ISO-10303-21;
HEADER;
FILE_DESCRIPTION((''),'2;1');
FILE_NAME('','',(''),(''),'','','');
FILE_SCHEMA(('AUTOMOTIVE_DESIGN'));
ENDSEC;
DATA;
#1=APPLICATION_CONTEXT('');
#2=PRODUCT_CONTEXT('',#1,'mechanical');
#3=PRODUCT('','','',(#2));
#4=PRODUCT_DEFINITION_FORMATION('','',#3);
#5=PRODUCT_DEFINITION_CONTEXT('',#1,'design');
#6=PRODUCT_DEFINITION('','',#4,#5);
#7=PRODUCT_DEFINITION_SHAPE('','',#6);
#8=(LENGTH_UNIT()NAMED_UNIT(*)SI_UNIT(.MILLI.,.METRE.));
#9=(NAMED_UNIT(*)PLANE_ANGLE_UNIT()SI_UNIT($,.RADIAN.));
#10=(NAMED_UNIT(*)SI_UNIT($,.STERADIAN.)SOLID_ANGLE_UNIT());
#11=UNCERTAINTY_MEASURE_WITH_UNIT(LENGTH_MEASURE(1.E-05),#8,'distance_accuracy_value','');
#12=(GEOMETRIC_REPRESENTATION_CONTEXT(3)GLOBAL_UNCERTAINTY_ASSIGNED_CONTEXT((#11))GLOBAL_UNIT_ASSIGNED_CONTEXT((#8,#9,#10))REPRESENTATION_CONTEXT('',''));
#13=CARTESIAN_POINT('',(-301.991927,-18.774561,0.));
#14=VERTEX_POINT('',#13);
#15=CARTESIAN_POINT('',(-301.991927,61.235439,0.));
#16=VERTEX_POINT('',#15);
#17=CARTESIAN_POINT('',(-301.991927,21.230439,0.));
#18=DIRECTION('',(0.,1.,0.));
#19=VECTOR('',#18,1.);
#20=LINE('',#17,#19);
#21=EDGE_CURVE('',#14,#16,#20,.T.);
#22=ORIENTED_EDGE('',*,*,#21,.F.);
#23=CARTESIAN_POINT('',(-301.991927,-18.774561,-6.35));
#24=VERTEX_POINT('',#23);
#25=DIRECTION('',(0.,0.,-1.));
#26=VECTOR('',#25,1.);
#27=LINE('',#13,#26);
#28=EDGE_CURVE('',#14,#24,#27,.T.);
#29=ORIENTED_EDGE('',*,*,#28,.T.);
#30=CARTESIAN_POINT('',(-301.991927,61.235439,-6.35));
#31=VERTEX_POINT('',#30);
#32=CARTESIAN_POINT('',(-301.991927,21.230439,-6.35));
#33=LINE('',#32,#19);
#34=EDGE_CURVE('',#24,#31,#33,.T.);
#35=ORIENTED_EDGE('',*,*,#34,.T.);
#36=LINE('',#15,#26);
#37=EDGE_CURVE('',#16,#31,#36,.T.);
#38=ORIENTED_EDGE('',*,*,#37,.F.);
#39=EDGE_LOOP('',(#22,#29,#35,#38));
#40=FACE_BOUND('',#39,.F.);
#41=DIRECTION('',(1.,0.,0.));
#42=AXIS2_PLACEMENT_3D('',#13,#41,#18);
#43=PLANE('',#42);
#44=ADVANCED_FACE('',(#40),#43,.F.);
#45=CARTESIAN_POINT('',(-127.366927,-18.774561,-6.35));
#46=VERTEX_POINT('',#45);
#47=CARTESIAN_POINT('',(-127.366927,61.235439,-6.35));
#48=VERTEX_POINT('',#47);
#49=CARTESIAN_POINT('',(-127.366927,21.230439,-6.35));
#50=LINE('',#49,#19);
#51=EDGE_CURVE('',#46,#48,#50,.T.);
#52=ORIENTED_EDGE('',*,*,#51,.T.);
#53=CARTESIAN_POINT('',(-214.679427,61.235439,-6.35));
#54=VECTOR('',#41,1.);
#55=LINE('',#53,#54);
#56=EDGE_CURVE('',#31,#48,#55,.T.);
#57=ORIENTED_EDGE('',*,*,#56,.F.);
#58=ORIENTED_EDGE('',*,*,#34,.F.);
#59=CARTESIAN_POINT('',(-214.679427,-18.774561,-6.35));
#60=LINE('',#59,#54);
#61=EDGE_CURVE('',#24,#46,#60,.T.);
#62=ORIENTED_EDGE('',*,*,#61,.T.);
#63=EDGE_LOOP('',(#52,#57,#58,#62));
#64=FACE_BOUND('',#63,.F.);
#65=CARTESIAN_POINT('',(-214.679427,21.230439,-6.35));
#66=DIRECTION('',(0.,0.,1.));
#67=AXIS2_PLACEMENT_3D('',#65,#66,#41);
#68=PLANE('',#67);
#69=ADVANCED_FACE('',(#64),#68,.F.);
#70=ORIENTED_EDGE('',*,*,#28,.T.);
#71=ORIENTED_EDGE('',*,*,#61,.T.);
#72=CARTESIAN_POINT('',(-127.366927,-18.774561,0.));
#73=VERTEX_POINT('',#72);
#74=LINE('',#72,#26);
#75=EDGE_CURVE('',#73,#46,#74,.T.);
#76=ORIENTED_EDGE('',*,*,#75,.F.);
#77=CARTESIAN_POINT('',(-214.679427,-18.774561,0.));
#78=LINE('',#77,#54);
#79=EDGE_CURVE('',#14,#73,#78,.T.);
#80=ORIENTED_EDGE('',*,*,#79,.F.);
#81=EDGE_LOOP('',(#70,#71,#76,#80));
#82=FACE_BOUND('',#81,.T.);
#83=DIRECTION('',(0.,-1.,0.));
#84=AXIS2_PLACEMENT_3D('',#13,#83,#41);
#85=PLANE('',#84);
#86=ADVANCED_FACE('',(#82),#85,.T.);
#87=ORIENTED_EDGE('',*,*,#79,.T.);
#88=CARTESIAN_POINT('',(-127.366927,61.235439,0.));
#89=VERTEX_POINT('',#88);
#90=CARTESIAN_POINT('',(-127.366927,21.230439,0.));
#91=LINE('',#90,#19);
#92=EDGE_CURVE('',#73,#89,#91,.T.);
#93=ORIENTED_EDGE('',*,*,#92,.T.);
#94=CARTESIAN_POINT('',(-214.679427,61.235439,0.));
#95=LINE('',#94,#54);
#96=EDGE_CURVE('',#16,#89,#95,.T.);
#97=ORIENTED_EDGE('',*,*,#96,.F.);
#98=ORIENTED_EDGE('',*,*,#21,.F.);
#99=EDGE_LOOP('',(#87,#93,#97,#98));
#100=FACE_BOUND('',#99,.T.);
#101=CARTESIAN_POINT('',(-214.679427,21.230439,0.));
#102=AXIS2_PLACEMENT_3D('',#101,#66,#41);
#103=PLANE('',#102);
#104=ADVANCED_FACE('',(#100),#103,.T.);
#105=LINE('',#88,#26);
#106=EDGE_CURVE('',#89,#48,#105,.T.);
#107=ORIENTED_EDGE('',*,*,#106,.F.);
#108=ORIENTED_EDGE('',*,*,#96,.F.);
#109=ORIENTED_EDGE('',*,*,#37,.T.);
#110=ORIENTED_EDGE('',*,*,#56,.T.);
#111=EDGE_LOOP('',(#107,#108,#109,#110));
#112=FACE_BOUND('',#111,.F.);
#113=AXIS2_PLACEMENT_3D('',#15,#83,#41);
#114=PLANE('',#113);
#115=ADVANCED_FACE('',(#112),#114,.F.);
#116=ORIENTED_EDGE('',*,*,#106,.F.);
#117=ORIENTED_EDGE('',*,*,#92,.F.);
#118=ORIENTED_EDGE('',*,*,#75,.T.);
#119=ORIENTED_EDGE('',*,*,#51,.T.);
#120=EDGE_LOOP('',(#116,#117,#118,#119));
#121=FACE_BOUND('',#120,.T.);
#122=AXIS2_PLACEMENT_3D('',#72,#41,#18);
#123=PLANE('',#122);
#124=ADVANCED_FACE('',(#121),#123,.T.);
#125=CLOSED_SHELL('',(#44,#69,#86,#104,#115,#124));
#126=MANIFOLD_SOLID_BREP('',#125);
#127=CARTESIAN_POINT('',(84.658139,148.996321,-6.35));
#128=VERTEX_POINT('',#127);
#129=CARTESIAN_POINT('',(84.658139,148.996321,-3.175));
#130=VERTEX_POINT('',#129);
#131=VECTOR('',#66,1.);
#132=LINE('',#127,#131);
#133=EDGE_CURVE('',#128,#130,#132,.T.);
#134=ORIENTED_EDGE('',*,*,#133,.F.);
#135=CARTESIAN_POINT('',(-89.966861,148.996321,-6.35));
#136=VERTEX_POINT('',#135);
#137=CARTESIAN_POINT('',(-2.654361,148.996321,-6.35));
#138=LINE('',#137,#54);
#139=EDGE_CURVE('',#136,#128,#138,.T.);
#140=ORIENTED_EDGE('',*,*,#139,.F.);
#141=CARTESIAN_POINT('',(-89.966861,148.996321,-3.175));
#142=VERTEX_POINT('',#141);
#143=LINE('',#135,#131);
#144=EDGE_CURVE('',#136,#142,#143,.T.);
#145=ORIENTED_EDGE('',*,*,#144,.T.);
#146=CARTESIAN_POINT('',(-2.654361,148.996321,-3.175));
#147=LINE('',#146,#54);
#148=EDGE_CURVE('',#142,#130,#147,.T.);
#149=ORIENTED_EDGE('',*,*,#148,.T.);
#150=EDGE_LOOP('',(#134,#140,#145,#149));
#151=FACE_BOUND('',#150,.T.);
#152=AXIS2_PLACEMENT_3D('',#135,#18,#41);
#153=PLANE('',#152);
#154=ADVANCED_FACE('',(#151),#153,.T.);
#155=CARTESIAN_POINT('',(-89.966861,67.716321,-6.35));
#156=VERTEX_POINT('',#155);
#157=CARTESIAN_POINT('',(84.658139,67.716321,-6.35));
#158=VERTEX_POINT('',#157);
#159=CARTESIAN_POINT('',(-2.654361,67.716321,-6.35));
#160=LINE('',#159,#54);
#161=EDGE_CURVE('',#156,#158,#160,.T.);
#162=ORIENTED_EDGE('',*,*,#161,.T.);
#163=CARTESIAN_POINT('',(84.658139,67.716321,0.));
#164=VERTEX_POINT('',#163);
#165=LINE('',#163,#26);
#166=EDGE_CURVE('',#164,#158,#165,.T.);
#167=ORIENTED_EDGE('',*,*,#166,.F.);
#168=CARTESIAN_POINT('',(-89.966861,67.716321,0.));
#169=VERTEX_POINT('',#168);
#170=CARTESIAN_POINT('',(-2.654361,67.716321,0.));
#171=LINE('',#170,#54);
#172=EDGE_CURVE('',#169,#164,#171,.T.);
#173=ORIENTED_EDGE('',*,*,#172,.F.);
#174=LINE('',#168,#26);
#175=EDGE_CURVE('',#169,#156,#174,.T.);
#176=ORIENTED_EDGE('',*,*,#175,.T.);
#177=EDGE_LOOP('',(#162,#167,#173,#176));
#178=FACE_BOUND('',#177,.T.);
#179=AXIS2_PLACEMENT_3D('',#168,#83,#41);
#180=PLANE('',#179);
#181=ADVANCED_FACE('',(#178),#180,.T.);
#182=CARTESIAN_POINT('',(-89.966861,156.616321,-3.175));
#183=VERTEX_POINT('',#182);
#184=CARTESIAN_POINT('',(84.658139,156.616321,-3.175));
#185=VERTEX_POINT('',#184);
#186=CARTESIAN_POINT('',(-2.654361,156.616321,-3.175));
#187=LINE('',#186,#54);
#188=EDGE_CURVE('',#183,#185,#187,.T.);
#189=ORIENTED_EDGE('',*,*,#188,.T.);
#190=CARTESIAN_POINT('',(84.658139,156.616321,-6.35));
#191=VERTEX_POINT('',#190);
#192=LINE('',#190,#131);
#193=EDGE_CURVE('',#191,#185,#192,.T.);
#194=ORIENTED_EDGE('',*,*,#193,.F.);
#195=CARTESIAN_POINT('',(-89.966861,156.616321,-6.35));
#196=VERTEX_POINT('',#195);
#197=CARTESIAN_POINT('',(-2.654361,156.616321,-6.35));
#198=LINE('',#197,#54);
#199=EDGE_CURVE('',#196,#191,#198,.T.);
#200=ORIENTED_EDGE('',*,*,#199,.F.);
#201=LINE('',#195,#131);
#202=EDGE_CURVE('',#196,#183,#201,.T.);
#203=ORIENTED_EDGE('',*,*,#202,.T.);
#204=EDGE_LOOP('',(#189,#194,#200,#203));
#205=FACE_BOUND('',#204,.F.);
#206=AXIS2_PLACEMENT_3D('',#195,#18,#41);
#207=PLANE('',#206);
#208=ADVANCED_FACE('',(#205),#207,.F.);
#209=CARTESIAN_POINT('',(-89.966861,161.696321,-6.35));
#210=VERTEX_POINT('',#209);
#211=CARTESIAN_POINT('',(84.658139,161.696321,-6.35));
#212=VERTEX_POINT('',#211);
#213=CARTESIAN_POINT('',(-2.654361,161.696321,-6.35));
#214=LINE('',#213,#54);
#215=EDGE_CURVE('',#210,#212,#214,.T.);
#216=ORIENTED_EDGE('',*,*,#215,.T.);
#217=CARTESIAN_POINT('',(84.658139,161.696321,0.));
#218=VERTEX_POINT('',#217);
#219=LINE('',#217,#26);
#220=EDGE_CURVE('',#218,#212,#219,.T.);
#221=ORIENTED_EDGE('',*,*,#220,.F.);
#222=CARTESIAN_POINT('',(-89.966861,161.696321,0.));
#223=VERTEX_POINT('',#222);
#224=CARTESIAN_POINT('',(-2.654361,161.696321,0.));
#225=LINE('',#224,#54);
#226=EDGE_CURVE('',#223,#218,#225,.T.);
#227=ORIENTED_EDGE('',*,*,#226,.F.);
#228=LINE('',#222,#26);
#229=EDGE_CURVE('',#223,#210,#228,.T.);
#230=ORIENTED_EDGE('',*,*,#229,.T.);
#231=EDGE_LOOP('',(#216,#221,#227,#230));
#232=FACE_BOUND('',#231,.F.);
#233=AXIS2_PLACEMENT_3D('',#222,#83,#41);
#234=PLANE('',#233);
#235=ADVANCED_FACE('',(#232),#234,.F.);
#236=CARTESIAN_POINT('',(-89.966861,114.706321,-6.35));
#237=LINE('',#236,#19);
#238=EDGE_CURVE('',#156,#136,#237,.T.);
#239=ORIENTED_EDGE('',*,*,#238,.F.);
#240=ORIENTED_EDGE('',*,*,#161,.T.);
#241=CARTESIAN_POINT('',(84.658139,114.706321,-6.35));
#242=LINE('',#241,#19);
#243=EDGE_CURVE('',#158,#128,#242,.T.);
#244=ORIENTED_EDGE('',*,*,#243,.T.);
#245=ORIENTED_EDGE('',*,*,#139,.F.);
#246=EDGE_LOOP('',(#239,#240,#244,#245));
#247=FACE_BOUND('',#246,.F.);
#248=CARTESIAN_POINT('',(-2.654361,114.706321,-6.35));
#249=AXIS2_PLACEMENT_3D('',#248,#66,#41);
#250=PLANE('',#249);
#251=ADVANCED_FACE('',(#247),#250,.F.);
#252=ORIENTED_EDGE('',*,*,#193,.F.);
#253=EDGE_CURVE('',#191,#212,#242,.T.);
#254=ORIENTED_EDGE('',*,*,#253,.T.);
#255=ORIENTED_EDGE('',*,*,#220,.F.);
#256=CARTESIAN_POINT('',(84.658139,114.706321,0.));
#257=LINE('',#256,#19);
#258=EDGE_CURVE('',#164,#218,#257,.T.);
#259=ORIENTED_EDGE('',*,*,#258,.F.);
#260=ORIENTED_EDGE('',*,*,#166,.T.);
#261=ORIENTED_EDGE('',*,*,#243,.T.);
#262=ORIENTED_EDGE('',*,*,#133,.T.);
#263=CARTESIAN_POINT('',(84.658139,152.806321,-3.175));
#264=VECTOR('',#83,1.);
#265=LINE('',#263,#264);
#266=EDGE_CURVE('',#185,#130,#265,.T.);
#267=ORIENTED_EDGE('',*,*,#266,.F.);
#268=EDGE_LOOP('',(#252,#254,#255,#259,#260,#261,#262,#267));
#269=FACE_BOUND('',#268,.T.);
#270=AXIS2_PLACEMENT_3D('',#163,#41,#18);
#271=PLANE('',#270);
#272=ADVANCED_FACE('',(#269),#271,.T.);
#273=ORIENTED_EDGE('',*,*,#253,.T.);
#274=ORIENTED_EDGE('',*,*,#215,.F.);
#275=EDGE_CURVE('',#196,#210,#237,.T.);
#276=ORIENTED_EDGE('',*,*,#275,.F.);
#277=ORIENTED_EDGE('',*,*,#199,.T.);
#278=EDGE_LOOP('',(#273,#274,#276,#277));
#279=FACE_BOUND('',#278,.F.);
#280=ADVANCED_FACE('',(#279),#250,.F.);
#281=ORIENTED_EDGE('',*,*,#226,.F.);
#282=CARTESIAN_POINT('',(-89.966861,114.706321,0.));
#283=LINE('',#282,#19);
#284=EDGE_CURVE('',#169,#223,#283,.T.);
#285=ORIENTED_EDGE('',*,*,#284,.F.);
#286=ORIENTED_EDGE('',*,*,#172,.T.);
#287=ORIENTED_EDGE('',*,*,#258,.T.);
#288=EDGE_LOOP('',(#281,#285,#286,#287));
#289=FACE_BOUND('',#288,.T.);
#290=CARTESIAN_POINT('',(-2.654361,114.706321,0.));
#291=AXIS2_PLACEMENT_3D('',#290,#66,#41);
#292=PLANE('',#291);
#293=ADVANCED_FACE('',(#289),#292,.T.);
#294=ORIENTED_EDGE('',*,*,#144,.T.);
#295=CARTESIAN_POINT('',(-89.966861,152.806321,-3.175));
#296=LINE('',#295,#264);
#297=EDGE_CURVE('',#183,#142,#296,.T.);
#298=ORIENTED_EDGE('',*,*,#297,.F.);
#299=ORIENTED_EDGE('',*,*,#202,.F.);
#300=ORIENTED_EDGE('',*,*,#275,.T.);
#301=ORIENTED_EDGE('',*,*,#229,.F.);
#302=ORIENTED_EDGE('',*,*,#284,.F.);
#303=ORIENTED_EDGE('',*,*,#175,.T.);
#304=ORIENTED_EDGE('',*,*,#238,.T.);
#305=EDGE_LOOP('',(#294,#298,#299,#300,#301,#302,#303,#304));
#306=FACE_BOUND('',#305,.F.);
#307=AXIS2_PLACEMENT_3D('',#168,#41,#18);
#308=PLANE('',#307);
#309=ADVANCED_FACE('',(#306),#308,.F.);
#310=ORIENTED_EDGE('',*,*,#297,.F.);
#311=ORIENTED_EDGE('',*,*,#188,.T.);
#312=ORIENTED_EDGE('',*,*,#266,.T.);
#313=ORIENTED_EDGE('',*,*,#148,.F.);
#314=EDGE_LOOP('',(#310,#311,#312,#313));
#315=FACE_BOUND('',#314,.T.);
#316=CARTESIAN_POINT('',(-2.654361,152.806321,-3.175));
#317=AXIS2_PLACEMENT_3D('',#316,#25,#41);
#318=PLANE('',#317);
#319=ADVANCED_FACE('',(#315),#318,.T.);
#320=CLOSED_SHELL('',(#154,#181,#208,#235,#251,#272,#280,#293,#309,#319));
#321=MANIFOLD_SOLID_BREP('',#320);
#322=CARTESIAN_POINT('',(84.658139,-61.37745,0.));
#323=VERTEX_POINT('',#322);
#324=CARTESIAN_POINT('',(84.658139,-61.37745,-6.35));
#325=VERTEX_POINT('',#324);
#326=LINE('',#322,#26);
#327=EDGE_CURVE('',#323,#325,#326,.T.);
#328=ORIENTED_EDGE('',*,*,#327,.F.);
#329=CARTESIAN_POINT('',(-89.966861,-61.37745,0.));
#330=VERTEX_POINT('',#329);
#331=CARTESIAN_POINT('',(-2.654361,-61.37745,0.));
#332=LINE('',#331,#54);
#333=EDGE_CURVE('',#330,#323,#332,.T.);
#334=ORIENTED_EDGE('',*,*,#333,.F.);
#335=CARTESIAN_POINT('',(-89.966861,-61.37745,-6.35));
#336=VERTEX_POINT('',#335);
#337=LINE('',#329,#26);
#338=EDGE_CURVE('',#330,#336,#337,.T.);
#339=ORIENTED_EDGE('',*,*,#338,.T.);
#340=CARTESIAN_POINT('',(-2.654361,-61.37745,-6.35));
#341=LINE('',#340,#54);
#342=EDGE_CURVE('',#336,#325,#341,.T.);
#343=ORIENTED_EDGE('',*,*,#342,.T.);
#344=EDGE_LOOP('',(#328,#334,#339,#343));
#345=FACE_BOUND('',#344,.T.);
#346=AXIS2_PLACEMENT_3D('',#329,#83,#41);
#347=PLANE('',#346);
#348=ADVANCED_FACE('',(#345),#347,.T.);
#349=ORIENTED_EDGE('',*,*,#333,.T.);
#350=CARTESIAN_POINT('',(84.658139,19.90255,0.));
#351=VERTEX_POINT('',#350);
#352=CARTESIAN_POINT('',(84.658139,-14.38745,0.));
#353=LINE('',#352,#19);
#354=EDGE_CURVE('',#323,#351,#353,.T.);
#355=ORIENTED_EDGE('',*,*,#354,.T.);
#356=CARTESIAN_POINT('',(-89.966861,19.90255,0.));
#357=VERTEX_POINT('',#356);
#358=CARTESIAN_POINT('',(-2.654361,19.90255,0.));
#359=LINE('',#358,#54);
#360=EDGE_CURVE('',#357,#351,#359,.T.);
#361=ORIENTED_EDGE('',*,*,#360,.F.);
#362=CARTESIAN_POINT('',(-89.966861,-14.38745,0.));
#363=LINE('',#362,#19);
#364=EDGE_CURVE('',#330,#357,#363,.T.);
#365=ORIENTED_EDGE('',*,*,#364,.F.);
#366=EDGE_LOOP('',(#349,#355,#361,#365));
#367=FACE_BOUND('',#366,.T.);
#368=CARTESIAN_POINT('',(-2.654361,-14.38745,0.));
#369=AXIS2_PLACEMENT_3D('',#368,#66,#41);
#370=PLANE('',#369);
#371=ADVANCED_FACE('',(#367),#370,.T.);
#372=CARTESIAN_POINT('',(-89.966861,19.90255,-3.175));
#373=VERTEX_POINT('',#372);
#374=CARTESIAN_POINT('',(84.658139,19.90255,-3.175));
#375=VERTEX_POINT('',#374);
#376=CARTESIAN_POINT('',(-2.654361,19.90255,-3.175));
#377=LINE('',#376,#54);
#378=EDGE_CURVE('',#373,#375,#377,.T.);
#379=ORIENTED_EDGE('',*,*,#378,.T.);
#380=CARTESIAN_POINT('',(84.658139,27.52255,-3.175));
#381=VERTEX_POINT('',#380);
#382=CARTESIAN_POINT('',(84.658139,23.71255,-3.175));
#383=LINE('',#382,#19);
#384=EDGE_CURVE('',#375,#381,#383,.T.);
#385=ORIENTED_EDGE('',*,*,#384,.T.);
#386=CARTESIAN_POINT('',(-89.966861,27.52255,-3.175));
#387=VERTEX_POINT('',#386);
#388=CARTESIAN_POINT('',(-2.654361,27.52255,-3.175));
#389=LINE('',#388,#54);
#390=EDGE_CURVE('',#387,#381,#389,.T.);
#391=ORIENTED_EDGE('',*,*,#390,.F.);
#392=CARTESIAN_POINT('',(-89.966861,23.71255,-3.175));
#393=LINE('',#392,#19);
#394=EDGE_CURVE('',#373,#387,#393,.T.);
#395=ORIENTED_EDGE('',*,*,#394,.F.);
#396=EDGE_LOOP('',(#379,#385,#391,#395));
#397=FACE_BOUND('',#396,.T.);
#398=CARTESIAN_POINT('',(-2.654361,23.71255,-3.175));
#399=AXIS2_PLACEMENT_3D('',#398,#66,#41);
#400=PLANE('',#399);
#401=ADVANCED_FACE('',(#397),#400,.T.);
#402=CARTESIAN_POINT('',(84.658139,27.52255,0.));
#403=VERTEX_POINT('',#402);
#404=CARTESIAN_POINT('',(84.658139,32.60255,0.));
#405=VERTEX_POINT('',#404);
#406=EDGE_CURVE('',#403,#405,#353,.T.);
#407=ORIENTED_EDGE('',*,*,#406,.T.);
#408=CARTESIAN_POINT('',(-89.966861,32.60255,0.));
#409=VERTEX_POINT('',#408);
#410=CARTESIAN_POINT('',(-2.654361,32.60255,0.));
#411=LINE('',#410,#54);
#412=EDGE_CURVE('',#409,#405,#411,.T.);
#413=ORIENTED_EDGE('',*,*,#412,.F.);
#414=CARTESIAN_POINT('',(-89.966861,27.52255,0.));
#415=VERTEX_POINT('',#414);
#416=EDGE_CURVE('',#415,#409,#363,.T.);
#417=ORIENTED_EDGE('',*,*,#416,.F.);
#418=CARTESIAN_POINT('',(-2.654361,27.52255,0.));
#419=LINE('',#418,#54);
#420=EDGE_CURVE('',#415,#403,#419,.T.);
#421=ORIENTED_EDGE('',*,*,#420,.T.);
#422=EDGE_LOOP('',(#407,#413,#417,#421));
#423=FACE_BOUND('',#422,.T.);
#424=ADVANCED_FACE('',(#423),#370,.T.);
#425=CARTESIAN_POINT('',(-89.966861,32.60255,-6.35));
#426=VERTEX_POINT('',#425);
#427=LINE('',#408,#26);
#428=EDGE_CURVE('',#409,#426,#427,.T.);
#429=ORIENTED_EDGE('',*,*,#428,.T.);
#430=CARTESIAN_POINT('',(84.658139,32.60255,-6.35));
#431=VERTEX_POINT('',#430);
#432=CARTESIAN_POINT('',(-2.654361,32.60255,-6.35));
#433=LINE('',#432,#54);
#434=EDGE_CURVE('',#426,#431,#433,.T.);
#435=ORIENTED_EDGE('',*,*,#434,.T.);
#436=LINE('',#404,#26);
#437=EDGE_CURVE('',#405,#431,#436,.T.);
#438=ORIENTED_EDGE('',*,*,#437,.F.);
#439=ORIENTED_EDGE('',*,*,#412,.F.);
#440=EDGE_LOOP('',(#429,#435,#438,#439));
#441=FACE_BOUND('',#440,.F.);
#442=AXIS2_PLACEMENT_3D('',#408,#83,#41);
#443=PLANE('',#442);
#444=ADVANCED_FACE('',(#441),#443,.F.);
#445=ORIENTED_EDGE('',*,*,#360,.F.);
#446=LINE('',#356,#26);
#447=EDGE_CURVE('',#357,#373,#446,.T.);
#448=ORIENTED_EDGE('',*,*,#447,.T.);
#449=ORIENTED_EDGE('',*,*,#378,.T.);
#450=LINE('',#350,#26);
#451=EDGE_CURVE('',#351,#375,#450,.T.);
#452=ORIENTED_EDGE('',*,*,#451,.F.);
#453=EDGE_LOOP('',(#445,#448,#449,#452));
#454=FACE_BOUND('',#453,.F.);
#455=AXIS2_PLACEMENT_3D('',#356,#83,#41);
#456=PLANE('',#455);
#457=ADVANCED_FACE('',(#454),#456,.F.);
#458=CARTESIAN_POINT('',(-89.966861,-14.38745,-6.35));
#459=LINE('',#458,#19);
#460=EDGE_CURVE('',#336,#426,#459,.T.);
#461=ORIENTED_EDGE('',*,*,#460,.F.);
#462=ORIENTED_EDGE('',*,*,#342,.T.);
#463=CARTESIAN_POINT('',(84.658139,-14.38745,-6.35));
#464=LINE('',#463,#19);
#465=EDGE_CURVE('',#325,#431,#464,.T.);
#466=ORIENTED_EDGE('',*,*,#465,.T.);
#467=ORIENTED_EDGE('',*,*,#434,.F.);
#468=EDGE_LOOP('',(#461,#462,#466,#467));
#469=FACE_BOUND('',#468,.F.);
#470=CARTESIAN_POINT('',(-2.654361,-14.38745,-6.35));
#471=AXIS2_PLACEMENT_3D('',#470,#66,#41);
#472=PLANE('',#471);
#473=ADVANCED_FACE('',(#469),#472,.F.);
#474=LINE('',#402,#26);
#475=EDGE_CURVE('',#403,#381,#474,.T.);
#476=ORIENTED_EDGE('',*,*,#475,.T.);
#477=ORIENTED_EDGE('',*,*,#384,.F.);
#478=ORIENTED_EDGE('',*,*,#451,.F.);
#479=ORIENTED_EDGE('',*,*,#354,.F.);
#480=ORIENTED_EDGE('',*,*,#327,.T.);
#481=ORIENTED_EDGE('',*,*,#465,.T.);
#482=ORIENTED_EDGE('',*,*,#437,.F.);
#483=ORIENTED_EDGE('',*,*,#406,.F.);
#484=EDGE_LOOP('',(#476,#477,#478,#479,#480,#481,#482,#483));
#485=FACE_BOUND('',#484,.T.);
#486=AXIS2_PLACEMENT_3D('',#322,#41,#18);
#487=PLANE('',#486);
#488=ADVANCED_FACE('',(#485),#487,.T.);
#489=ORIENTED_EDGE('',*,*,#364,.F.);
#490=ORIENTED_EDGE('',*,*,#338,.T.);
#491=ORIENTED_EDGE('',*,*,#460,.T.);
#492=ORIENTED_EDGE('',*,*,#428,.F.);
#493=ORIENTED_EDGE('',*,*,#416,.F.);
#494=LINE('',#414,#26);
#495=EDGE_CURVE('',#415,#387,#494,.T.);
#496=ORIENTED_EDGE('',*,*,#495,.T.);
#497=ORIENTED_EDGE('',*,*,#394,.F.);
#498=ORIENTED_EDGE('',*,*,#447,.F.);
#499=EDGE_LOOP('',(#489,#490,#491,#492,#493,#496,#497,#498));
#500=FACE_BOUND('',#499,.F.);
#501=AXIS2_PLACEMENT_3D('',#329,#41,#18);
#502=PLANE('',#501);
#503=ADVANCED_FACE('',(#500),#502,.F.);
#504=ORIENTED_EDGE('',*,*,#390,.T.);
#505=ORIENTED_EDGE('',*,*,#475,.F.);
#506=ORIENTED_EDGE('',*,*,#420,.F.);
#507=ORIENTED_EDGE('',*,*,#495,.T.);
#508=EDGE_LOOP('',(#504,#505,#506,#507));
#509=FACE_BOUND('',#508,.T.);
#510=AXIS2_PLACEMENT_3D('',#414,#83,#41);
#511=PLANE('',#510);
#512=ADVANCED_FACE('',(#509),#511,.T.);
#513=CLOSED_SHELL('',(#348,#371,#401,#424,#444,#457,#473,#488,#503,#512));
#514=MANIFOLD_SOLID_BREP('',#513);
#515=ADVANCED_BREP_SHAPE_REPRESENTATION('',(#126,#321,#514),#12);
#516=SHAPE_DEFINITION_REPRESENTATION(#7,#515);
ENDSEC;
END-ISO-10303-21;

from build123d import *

# Parameters (mm, degrees)
F0_W     = 174.625
F0_H     = 93.98
F1_DEPTH = 6.35
F2_W     = 174.625
F2_H     = 80.01
F3_DEPTH = 6.35
F4_W     = 174.625
F4_H     = 7.62
F5_DEPTH = 3.175
F6_W     = 174.625
F6_H     = 7.62
F7_DEPTH = 3.175


with BuildPart() as f1:
    # F0 (on Top) → F1 (new body)
    with BuildSketch(Plane.XY):
        with Locations((-2.654361, -14.38745)):
            Rectangle(F0_W, F0_H)
        with Locations((-2.654361, 114.706321)):
            Rectangle(F0_W, F0_H)
    extrude(amount=-F1_DEPTH)

    # F4 (on face) → F5 (cut)
    with BuildSketch(Plane.XY):
        with Locations((-2.654361, 23.71255)):
            Rectangle(F4_W, F4_H)
    extrude(amount=-F5_DEPTH, mode=Mode.SUBTRACT)

    # F6 (on face) → F7 (cut)
    with BuildSketch(Plane(origin=(0, 0, -6.35), x_dir=(1, 0, 0), z_dir=(0, 0, -1))):
        with Locations((-2.654361, -152.806321)):
            Rectangle(F6_W, F6_H)
    extrude(amount=-F7_DEPTH, mode=Mode.SUBTRACT)


with BuildPart() as f3:
    # F2 (on Top) → F3 (new body)
    with BuildSketch(Plane.XY):
        with Locations((-214.679427, 21.230439)):
            Rectangle(F2_W, F2_H)
    extrude(amount=-F3_DEPTH)


solid = Compound([f1.part, f3.part])
